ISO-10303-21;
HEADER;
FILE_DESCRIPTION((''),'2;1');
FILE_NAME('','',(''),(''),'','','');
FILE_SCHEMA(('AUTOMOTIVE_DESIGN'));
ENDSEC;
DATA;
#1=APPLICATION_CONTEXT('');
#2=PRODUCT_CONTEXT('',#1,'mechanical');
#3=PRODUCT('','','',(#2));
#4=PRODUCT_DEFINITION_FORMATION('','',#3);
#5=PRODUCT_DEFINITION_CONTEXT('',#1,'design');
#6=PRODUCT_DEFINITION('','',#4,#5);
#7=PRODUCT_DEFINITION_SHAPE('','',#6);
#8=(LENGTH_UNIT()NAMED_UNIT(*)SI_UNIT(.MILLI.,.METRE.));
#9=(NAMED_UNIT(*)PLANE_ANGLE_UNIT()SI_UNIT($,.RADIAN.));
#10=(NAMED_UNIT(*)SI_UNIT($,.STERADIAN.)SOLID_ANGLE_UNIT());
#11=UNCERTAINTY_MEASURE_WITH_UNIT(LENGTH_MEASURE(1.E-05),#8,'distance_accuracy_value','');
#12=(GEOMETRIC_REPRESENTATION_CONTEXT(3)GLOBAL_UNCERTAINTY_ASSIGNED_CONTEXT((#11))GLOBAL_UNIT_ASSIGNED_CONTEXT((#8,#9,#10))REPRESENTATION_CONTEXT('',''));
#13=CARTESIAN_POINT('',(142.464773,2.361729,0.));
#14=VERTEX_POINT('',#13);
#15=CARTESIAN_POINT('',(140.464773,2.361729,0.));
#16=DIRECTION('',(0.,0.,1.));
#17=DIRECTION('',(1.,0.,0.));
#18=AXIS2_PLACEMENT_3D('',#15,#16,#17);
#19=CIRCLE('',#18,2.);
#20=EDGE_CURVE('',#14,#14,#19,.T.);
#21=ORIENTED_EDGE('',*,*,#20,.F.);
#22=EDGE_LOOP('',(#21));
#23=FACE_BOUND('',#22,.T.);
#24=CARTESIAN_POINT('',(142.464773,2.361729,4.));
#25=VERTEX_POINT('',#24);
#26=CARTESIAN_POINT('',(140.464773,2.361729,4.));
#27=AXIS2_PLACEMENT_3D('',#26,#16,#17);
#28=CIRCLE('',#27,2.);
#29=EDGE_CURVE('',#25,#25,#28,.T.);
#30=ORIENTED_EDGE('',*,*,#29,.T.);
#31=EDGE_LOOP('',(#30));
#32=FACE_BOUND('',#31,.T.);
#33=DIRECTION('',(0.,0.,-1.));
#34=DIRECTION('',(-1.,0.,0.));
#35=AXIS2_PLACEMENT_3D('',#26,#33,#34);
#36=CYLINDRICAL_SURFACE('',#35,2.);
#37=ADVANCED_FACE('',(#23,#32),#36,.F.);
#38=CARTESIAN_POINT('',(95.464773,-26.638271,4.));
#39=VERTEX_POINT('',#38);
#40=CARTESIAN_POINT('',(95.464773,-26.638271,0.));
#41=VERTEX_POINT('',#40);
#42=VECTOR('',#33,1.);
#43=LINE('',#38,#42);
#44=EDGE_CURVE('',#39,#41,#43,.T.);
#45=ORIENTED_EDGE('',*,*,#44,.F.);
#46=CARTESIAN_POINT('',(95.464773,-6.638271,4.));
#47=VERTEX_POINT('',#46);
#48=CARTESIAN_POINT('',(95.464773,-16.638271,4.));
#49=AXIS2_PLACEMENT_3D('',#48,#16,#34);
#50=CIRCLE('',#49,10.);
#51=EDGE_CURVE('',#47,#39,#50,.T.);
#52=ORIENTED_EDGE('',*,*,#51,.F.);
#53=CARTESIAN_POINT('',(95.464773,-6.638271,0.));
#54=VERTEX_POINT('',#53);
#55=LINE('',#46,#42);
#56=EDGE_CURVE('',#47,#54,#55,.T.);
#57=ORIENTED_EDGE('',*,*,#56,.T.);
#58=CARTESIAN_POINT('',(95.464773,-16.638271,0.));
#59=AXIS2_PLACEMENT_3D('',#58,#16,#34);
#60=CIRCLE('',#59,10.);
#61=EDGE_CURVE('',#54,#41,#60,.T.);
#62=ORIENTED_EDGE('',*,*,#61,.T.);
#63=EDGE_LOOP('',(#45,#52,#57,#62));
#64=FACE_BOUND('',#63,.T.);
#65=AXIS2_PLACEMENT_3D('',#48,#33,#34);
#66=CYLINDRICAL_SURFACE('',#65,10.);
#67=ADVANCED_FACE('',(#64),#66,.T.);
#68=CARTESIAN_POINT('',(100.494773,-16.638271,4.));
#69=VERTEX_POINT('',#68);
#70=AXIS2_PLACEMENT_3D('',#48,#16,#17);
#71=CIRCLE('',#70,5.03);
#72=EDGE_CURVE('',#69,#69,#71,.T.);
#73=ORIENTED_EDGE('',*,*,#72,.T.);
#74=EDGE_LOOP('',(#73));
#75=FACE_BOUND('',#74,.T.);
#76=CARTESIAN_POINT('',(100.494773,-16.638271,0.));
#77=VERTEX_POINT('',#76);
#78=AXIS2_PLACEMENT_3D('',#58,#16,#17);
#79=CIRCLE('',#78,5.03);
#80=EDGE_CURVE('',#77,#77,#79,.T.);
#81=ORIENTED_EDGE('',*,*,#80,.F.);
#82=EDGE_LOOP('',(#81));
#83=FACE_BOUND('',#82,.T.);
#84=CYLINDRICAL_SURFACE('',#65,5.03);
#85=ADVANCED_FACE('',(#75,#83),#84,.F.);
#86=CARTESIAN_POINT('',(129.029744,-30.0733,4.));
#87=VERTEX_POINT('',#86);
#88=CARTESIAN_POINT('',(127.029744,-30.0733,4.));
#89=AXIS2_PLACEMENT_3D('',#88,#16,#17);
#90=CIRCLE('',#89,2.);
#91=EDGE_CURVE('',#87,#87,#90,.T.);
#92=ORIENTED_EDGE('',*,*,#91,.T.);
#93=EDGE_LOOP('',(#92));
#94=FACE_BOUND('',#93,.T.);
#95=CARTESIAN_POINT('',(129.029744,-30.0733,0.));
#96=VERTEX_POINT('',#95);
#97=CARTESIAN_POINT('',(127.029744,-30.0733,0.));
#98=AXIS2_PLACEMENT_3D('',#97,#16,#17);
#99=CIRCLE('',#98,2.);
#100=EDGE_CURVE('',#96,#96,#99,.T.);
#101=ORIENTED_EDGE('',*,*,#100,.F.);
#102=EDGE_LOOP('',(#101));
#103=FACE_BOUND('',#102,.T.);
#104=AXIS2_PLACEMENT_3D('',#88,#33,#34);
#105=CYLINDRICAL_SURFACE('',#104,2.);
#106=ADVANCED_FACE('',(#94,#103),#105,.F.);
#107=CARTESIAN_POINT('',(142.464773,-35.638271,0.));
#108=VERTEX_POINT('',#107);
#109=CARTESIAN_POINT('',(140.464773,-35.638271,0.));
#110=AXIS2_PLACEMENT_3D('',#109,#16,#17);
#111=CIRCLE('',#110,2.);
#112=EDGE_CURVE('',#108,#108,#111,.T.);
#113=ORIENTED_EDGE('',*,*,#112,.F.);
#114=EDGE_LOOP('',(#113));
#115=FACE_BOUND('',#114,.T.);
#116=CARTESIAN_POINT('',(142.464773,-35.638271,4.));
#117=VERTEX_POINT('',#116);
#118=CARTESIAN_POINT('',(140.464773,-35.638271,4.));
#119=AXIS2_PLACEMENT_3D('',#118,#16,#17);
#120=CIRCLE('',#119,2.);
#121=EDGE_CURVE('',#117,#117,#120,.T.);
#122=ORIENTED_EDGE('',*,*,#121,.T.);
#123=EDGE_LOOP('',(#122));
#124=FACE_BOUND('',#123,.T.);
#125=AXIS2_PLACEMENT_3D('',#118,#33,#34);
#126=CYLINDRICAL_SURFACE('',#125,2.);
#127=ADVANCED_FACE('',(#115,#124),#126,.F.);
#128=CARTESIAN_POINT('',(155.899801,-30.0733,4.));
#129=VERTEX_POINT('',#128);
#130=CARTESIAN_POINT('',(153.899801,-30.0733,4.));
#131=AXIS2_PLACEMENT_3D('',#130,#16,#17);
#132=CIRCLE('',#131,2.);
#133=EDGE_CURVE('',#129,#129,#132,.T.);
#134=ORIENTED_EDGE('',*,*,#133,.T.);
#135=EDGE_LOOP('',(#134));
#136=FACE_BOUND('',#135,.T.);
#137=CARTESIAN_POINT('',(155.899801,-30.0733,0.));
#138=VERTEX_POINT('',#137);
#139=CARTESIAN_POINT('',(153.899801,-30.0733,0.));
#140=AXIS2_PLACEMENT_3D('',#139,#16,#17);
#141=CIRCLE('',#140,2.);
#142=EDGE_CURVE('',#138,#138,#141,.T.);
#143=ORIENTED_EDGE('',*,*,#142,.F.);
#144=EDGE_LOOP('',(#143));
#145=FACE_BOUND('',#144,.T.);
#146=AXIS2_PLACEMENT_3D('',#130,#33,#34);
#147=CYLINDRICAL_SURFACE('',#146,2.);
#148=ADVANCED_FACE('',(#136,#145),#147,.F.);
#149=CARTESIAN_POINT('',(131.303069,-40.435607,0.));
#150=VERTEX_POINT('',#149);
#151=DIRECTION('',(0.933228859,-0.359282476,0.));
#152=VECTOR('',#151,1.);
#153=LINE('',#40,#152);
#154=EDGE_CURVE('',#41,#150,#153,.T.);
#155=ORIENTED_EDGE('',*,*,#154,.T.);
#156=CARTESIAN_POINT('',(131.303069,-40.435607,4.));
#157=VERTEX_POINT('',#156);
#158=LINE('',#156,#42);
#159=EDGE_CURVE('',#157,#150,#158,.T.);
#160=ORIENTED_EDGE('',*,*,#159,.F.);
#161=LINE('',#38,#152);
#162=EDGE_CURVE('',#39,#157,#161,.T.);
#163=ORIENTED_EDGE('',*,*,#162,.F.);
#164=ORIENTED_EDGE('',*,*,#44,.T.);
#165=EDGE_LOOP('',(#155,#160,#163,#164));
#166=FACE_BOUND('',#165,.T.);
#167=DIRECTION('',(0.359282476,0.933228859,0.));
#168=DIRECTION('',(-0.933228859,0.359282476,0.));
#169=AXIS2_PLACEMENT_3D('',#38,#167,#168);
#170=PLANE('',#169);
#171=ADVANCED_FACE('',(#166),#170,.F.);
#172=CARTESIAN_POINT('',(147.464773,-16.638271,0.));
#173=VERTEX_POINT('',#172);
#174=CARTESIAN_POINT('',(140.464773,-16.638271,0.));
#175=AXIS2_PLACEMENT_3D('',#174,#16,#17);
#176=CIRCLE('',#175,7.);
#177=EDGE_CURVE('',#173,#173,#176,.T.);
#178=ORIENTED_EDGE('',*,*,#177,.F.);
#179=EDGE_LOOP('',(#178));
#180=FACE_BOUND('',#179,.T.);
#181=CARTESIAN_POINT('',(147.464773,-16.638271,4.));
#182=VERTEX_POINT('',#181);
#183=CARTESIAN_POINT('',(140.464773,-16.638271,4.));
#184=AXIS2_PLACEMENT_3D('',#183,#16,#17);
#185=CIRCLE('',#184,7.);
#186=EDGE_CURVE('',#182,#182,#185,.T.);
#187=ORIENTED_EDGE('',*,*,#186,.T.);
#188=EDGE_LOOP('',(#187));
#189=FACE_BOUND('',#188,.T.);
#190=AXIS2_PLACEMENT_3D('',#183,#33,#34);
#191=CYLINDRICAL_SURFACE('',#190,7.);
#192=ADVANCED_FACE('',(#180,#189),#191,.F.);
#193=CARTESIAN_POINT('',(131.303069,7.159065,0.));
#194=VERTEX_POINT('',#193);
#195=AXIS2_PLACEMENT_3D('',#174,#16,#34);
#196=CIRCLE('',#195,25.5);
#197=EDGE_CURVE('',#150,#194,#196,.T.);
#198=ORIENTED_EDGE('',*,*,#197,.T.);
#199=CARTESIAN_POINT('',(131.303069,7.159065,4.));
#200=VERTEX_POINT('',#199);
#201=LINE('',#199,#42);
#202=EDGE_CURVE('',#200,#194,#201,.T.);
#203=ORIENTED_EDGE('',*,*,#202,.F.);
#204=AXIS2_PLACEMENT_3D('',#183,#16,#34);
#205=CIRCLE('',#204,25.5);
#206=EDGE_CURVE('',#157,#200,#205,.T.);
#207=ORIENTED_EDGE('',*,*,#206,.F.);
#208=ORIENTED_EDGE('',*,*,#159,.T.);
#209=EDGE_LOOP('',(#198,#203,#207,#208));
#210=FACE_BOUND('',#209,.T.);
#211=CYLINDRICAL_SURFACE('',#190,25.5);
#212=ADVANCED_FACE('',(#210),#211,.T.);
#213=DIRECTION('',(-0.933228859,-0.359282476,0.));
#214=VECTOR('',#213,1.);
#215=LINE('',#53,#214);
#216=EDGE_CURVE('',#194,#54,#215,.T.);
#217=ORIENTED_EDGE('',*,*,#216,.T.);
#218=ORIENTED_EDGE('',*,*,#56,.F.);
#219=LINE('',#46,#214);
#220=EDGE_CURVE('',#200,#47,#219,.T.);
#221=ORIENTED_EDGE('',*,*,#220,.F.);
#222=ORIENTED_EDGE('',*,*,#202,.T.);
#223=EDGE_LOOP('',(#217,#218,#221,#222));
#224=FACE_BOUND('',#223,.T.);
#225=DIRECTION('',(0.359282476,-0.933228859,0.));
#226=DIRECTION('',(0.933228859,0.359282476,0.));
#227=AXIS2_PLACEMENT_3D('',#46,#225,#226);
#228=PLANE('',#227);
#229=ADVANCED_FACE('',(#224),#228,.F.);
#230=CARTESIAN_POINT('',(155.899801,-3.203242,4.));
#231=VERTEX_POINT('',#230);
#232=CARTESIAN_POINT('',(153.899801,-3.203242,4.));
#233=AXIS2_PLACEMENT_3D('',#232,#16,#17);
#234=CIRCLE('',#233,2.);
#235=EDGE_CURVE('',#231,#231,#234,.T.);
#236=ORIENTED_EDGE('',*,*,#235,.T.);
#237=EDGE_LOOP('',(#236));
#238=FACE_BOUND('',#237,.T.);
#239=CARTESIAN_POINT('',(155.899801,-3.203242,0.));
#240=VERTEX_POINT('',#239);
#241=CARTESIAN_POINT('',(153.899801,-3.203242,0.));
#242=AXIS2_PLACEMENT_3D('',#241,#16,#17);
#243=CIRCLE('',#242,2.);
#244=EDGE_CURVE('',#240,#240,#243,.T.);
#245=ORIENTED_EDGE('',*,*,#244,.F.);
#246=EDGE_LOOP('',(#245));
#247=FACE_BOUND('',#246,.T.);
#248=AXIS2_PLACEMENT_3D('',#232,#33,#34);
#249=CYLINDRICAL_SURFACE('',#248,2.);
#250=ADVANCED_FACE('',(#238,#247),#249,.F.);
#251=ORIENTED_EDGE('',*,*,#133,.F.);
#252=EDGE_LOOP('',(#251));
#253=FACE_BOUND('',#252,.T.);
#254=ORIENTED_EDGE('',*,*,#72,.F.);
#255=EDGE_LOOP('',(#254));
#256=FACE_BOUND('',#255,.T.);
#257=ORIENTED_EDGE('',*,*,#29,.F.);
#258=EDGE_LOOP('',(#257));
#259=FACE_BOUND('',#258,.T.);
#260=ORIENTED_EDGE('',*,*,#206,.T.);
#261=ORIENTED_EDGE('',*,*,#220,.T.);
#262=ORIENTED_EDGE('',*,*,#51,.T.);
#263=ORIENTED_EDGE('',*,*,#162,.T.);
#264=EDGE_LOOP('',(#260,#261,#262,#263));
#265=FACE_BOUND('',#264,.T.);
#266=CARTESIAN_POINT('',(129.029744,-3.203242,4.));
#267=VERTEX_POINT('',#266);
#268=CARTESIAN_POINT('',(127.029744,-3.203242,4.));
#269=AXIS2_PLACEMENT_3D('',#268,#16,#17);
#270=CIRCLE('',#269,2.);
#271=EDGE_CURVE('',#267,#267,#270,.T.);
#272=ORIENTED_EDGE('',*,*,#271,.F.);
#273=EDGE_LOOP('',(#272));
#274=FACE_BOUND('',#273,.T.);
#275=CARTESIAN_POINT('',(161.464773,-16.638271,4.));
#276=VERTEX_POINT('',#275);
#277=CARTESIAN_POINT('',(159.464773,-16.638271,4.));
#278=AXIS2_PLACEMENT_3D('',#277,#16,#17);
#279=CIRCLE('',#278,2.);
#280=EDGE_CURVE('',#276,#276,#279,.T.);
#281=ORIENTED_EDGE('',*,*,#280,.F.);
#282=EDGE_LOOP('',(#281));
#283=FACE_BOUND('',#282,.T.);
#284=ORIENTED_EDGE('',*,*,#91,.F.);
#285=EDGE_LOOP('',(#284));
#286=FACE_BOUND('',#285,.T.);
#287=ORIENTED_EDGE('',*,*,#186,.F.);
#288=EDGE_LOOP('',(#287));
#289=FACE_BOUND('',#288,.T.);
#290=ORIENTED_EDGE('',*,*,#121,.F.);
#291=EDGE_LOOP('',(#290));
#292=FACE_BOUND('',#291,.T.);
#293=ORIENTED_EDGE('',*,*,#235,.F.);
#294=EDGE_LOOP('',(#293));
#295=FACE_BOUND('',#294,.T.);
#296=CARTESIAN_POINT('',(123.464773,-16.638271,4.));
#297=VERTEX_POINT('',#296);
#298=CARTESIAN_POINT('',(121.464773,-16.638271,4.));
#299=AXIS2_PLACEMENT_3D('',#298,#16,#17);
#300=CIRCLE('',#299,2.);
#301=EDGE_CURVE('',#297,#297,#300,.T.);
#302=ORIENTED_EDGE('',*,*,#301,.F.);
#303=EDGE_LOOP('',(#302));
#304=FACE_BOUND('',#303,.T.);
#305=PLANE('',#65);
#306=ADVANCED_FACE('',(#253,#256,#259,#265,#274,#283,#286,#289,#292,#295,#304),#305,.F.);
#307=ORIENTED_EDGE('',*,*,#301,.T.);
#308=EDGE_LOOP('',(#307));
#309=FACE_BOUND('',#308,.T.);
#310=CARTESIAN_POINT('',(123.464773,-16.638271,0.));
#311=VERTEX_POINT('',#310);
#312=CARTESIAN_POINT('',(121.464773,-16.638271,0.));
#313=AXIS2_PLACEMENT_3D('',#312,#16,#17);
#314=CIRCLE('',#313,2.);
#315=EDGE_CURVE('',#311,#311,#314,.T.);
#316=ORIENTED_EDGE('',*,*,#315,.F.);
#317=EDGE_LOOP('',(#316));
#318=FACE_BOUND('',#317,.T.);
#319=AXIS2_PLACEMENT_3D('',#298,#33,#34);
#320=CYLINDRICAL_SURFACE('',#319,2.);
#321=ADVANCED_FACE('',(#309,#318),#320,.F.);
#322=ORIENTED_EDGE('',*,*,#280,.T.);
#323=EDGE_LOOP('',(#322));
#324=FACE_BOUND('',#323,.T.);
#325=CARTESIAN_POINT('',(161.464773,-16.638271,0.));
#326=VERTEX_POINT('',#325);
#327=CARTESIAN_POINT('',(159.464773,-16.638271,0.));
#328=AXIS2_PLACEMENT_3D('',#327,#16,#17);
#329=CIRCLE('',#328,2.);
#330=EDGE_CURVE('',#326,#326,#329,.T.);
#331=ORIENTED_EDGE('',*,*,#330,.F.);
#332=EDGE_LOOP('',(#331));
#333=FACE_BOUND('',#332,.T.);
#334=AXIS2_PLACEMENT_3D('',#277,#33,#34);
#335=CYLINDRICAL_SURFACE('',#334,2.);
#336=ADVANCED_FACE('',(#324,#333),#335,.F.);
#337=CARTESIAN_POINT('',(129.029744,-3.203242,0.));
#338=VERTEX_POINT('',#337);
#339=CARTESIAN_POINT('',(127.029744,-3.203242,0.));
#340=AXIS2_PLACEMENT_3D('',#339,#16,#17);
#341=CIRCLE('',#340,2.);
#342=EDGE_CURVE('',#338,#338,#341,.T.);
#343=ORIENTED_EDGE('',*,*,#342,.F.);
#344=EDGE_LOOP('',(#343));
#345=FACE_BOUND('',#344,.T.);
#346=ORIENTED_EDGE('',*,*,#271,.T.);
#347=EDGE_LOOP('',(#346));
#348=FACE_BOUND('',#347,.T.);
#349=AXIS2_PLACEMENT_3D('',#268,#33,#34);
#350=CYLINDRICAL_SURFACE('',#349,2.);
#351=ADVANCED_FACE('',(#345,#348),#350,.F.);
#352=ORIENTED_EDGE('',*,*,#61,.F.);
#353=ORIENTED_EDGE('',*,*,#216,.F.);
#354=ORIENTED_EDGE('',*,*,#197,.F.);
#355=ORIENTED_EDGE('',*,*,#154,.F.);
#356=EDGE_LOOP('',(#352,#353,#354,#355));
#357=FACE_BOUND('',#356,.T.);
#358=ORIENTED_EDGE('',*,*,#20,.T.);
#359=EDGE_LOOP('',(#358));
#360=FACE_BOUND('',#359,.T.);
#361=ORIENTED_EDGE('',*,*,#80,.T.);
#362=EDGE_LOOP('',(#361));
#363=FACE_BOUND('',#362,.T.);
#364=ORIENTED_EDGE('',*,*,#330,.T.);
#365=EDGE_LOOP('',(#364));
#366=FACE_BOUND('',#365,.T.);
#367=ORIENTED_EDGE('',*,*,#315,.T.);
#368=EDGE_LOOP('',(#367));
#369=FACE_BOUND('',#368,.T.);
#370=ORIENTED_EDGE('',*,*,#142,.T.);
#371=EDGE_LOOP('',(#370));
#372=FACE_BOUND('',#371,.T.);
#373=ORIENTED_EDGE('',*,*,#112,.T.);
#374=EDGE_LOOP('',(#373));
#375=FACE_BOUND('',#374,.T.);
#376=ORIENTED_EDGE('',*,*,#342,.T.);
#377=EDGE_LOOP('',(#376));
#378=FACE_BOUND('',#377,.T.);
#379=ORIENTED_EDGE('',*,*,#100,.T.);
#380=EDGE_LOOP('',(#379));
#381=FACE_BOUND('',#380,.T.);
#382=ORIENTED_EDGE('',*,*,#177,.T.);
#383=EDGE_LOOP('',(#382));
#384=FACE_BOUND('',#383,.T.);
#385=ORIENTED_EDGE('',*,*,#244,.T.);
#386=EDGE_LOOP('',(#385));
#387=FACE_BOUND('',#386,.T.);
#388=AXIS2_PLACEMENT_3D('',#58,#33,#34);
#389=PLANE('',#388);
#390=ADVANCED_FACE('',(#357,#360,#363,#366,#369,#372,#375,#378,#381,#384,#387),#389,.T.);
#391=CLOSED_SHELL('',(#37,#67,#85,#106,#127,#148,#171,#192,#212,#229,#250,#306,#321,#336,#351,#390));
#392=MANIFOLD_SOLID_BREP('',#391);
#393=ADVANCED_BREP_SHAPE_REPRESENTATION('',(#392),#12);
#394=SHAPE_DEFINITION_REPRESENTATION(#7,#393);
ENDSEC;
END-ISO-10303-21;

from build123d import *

# Parameters (mm, degrees)
SKETCH_1_R      = 7
SKETCH_1_R_2    = 2
SKETCH_1_R_3    = 5.03
EXTRUDE_1_DEPTH = 4


with BuildPart() as part:
    # 草图1 → 凸台-拉伸1 (new body)
    with BuildSketch(Plane.XY):
        with BuildLine():
            Line((95.464772606, -26.638271318), (131.303069471, -40.435607212))
            ThreePointArc((131.303069471, -40.435607212), (165.964772606, -16.638271318), (131.303069471, 7.159064577))
            Line((131.303069471, 7.159064577), (95.464772606, -6.638271318))
            ThreePointArc((95.464772606, -6.638271318), (85.464772606, -16.638271318), (95.464772606, -26.638271318))
        make_face()
        with Locations((140.464772606, -16.638271318)):
            Circle(SKETCH_1_R, mode=Mode.SUBTRACT)
        with Locations((140.464772606, -35.638271318)):
            Circle(SKETCH_1_R_2, mode=Mode.SUBTRACT)
        with Locations((127.029743763, -30.07330016)):
            Circle(SKETCH_1_R_2, mode=Mode.SUBTRACT)
        with Locations((121.464772606, -16.638271318)):
            Circle(SKETCH_1_R_2, mode=Mode.SUBTRACT)
        with Locations((127.029743763, -3.203242475)):
            Circle(SKETCH_1_R_2, mode=Mode.SUBTRACT)
        with Locations((140.464772606, 2.361728682)):
            Circle(SKETCH_1_R_2, mode=Mode.SUBTRACT)
        with Locations((153.899801448, -3.203242475)):
            Circle(SKETCH_1_R_2, mode=Mode.SUBTRACT)
        with Locations((159.464772606, -16.638271318)):
            Circle(SKETCH_1_R_2, mode=Mode.SUBTRACT)
        with Locations((153.899801448, -30.07330016)):
            Circle(SKETCH_1_R_2, mode=Mode.SUBTRACT)
        with Locations((95.464772606, -16.638271318)):
            Circle(SKETCH_1_R_3, mode=Mode.SUBTRACT)
    extrude(amount=EXTRUDE_1_DEPTH)


solid = part.part
